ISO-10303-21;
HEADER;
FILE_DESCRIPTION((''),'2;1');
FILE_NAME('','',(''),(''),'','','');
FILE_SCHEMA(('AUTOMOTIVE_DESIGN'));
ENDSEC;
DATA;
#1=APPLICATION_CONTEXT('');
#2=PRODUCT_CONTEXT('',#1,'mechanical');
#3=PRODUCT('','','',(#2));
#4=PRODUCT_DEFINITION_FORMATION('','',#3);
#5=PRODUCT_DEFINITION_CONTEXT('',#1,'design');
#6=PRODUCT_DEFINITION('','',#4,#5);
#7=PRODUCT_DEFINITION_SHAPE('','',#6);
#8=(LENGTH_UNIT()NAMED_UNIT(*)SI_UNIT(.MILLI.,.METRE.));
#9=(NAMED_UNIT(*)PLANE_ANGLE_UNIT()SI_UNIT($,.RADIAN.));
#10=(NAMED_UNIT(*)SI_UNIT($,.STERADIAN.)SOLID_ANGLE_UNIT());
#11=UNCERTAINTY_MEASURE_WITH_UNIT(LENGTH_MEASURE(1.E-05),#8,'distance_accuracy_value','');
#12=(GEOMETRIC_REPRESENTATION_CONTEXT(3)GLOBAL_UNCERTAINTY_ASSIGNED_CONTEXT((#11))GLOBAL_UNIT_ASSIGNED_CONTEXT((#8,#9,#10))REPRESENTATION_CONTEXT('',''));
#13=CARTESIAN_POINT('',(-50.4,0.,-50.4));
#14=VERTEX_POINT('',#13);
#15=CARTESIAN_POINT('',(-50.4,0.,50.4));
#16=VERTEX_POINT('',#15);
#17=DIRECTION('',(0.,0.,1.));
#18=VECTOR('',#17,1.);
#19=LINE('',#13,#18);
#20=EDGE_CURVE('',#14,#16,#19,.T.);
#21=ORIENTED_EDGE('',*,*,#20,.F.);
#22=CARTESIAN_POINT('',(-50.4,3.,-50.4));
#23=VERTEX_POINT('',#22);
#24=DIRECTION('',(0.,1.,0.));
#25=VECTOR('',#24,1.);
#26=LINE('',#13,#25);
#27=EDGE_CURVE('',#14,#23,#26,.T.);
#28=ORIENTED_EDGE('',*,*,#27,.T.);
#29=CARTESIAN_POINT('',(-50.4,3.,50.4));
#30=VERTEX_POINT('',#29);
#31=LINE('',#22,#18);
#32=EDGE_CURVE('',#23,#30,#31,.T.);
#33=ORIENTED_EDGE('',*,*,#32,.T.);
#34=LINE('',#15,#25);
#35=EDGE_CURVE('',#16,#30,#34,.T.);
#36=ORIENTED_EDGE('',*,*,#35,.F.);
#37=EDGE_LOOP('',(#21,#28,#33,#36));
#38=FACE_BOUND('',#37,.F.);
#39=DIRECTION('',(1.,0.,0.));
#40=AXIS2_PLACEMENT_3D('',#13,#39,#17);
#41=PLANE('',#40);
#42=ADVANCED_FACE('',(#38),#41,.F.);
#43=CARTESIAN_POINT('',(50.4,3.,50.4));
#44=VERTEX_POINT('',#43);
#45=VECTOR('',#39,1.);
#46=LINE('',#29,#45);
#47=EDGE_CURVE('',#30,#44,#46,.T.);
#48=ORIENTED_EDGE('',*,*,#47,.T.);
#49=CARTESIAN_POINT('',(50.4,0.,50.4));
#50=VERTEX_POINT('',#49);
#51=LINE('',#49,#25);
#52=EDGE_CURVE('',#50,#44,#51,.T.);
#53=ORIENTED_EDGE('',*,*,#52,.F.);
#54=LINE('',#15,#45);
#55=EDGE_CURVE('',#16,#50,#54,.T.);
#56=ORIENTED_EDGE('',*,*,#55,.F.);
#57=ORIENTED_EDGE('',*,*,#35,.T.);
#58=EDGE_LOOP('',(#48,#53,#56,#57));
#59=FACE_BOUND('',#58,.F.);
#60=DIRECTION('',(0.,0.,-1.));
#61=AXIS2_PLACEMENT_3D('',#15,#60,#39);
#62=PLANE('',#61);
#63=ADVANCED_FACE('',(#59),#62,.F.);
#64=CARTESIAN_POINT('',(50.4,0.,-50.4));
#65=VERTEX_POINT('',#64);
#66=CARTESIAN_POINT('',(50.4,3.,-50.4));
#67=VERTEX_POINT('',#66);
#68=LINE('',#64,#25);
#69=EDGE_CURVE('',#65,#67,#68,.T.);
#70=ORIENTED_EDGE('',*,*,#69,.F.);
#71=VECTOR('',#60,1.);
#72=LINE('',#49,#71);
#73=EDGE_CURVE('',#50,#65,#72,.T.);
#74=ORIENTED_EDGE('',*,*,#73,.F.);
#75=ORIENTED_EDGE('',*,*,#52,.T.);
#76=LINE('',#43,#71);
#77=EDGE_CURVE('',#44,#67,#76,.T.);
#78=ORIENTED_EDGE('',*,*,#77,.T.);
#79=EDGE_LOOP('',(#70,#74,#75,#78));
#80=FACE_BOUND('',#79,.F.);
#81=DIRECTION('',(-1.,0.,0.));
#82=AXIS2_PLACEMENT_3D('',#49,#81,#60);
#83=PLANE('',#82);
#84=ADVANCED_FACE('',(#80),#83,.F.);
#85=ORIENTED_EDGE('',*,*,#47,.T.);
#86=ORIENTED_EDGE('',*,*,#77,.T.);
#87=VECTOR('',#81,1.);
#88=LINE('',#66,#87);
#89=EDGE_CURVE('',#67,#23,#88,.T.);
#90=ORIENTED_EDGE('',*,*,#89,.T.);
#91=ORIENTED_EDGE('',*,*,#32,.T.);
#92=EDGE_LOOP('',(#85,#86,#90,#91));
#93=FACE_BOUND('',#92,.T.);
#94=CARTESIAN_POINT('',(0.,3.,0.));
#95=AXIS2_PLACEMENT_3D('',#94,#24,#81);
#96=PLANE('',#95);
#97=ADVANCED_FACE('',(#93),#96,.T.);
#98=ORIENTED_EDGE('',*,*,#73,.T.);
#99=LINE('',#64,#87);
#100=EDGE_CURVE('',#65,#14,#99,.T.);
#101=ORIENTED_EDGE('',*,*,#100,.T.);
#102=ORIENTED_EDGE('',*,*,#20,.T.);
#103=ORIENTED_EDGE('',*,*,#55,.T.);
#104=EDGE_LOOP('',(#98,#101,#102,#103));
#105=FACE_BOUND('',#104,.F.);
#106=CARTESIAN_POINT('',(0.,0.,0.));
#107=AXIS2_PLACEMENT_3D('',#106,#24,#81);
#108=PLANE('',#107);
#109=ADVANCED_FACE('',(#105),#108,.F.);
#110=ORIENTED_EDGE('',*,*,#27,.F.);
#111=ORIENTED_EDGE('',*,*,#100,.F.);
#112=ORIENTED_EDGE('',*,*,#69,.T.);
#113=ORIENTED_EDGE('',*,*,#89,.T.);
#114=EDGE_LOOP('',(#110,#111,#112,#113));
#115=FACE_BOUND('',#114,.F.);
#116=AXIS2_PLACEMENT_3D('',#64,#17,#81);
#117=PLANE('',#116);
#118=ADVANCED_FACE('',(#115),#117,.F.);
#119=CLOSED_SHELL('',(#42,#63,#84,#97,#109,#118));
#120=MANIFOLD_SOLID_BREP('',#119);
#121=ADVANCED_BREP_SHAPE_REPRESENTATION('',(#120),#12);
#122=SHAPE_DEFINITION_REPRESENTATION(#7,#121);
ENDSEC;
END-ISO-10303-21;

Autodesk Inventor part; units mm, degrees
ref_plane "YZ Plane" through (0, 0, 0) normal (1, 0, 0) x (0, 1, 0)
ref_plane "XZ Plane" through (0, 0, 0) normal (0, 1, 0) x (-1, 0, 0)
ref_plane "XY Plane" through (0, 0, 0) normal (0, 0, 1) x (1, 0, 0)
sketch "Sketch1" plane through (0, 0, 0) normal (0, 1, 0) x (-1, 0, 0)
  line L0 (50.4, 50.4) -> (-50.4, 50.4)
  line L1 (-50.4, 50.4) -> (-50.4, -50.4)
  line L2 (-50.4, -50.4) -> (50.4, -50.4)
  line L3 (50.4, -50.4) -> (50.4, 50.4)
  point P0 (0, 0)
  point P1 (0, -50.4)
  point P2 (50.4, 0)
  dimension "d0" = 100.8
extrude "Extrusion1" add sketch "Sketch1" along normal blind 3
properties part number "Sheet_3mm"
